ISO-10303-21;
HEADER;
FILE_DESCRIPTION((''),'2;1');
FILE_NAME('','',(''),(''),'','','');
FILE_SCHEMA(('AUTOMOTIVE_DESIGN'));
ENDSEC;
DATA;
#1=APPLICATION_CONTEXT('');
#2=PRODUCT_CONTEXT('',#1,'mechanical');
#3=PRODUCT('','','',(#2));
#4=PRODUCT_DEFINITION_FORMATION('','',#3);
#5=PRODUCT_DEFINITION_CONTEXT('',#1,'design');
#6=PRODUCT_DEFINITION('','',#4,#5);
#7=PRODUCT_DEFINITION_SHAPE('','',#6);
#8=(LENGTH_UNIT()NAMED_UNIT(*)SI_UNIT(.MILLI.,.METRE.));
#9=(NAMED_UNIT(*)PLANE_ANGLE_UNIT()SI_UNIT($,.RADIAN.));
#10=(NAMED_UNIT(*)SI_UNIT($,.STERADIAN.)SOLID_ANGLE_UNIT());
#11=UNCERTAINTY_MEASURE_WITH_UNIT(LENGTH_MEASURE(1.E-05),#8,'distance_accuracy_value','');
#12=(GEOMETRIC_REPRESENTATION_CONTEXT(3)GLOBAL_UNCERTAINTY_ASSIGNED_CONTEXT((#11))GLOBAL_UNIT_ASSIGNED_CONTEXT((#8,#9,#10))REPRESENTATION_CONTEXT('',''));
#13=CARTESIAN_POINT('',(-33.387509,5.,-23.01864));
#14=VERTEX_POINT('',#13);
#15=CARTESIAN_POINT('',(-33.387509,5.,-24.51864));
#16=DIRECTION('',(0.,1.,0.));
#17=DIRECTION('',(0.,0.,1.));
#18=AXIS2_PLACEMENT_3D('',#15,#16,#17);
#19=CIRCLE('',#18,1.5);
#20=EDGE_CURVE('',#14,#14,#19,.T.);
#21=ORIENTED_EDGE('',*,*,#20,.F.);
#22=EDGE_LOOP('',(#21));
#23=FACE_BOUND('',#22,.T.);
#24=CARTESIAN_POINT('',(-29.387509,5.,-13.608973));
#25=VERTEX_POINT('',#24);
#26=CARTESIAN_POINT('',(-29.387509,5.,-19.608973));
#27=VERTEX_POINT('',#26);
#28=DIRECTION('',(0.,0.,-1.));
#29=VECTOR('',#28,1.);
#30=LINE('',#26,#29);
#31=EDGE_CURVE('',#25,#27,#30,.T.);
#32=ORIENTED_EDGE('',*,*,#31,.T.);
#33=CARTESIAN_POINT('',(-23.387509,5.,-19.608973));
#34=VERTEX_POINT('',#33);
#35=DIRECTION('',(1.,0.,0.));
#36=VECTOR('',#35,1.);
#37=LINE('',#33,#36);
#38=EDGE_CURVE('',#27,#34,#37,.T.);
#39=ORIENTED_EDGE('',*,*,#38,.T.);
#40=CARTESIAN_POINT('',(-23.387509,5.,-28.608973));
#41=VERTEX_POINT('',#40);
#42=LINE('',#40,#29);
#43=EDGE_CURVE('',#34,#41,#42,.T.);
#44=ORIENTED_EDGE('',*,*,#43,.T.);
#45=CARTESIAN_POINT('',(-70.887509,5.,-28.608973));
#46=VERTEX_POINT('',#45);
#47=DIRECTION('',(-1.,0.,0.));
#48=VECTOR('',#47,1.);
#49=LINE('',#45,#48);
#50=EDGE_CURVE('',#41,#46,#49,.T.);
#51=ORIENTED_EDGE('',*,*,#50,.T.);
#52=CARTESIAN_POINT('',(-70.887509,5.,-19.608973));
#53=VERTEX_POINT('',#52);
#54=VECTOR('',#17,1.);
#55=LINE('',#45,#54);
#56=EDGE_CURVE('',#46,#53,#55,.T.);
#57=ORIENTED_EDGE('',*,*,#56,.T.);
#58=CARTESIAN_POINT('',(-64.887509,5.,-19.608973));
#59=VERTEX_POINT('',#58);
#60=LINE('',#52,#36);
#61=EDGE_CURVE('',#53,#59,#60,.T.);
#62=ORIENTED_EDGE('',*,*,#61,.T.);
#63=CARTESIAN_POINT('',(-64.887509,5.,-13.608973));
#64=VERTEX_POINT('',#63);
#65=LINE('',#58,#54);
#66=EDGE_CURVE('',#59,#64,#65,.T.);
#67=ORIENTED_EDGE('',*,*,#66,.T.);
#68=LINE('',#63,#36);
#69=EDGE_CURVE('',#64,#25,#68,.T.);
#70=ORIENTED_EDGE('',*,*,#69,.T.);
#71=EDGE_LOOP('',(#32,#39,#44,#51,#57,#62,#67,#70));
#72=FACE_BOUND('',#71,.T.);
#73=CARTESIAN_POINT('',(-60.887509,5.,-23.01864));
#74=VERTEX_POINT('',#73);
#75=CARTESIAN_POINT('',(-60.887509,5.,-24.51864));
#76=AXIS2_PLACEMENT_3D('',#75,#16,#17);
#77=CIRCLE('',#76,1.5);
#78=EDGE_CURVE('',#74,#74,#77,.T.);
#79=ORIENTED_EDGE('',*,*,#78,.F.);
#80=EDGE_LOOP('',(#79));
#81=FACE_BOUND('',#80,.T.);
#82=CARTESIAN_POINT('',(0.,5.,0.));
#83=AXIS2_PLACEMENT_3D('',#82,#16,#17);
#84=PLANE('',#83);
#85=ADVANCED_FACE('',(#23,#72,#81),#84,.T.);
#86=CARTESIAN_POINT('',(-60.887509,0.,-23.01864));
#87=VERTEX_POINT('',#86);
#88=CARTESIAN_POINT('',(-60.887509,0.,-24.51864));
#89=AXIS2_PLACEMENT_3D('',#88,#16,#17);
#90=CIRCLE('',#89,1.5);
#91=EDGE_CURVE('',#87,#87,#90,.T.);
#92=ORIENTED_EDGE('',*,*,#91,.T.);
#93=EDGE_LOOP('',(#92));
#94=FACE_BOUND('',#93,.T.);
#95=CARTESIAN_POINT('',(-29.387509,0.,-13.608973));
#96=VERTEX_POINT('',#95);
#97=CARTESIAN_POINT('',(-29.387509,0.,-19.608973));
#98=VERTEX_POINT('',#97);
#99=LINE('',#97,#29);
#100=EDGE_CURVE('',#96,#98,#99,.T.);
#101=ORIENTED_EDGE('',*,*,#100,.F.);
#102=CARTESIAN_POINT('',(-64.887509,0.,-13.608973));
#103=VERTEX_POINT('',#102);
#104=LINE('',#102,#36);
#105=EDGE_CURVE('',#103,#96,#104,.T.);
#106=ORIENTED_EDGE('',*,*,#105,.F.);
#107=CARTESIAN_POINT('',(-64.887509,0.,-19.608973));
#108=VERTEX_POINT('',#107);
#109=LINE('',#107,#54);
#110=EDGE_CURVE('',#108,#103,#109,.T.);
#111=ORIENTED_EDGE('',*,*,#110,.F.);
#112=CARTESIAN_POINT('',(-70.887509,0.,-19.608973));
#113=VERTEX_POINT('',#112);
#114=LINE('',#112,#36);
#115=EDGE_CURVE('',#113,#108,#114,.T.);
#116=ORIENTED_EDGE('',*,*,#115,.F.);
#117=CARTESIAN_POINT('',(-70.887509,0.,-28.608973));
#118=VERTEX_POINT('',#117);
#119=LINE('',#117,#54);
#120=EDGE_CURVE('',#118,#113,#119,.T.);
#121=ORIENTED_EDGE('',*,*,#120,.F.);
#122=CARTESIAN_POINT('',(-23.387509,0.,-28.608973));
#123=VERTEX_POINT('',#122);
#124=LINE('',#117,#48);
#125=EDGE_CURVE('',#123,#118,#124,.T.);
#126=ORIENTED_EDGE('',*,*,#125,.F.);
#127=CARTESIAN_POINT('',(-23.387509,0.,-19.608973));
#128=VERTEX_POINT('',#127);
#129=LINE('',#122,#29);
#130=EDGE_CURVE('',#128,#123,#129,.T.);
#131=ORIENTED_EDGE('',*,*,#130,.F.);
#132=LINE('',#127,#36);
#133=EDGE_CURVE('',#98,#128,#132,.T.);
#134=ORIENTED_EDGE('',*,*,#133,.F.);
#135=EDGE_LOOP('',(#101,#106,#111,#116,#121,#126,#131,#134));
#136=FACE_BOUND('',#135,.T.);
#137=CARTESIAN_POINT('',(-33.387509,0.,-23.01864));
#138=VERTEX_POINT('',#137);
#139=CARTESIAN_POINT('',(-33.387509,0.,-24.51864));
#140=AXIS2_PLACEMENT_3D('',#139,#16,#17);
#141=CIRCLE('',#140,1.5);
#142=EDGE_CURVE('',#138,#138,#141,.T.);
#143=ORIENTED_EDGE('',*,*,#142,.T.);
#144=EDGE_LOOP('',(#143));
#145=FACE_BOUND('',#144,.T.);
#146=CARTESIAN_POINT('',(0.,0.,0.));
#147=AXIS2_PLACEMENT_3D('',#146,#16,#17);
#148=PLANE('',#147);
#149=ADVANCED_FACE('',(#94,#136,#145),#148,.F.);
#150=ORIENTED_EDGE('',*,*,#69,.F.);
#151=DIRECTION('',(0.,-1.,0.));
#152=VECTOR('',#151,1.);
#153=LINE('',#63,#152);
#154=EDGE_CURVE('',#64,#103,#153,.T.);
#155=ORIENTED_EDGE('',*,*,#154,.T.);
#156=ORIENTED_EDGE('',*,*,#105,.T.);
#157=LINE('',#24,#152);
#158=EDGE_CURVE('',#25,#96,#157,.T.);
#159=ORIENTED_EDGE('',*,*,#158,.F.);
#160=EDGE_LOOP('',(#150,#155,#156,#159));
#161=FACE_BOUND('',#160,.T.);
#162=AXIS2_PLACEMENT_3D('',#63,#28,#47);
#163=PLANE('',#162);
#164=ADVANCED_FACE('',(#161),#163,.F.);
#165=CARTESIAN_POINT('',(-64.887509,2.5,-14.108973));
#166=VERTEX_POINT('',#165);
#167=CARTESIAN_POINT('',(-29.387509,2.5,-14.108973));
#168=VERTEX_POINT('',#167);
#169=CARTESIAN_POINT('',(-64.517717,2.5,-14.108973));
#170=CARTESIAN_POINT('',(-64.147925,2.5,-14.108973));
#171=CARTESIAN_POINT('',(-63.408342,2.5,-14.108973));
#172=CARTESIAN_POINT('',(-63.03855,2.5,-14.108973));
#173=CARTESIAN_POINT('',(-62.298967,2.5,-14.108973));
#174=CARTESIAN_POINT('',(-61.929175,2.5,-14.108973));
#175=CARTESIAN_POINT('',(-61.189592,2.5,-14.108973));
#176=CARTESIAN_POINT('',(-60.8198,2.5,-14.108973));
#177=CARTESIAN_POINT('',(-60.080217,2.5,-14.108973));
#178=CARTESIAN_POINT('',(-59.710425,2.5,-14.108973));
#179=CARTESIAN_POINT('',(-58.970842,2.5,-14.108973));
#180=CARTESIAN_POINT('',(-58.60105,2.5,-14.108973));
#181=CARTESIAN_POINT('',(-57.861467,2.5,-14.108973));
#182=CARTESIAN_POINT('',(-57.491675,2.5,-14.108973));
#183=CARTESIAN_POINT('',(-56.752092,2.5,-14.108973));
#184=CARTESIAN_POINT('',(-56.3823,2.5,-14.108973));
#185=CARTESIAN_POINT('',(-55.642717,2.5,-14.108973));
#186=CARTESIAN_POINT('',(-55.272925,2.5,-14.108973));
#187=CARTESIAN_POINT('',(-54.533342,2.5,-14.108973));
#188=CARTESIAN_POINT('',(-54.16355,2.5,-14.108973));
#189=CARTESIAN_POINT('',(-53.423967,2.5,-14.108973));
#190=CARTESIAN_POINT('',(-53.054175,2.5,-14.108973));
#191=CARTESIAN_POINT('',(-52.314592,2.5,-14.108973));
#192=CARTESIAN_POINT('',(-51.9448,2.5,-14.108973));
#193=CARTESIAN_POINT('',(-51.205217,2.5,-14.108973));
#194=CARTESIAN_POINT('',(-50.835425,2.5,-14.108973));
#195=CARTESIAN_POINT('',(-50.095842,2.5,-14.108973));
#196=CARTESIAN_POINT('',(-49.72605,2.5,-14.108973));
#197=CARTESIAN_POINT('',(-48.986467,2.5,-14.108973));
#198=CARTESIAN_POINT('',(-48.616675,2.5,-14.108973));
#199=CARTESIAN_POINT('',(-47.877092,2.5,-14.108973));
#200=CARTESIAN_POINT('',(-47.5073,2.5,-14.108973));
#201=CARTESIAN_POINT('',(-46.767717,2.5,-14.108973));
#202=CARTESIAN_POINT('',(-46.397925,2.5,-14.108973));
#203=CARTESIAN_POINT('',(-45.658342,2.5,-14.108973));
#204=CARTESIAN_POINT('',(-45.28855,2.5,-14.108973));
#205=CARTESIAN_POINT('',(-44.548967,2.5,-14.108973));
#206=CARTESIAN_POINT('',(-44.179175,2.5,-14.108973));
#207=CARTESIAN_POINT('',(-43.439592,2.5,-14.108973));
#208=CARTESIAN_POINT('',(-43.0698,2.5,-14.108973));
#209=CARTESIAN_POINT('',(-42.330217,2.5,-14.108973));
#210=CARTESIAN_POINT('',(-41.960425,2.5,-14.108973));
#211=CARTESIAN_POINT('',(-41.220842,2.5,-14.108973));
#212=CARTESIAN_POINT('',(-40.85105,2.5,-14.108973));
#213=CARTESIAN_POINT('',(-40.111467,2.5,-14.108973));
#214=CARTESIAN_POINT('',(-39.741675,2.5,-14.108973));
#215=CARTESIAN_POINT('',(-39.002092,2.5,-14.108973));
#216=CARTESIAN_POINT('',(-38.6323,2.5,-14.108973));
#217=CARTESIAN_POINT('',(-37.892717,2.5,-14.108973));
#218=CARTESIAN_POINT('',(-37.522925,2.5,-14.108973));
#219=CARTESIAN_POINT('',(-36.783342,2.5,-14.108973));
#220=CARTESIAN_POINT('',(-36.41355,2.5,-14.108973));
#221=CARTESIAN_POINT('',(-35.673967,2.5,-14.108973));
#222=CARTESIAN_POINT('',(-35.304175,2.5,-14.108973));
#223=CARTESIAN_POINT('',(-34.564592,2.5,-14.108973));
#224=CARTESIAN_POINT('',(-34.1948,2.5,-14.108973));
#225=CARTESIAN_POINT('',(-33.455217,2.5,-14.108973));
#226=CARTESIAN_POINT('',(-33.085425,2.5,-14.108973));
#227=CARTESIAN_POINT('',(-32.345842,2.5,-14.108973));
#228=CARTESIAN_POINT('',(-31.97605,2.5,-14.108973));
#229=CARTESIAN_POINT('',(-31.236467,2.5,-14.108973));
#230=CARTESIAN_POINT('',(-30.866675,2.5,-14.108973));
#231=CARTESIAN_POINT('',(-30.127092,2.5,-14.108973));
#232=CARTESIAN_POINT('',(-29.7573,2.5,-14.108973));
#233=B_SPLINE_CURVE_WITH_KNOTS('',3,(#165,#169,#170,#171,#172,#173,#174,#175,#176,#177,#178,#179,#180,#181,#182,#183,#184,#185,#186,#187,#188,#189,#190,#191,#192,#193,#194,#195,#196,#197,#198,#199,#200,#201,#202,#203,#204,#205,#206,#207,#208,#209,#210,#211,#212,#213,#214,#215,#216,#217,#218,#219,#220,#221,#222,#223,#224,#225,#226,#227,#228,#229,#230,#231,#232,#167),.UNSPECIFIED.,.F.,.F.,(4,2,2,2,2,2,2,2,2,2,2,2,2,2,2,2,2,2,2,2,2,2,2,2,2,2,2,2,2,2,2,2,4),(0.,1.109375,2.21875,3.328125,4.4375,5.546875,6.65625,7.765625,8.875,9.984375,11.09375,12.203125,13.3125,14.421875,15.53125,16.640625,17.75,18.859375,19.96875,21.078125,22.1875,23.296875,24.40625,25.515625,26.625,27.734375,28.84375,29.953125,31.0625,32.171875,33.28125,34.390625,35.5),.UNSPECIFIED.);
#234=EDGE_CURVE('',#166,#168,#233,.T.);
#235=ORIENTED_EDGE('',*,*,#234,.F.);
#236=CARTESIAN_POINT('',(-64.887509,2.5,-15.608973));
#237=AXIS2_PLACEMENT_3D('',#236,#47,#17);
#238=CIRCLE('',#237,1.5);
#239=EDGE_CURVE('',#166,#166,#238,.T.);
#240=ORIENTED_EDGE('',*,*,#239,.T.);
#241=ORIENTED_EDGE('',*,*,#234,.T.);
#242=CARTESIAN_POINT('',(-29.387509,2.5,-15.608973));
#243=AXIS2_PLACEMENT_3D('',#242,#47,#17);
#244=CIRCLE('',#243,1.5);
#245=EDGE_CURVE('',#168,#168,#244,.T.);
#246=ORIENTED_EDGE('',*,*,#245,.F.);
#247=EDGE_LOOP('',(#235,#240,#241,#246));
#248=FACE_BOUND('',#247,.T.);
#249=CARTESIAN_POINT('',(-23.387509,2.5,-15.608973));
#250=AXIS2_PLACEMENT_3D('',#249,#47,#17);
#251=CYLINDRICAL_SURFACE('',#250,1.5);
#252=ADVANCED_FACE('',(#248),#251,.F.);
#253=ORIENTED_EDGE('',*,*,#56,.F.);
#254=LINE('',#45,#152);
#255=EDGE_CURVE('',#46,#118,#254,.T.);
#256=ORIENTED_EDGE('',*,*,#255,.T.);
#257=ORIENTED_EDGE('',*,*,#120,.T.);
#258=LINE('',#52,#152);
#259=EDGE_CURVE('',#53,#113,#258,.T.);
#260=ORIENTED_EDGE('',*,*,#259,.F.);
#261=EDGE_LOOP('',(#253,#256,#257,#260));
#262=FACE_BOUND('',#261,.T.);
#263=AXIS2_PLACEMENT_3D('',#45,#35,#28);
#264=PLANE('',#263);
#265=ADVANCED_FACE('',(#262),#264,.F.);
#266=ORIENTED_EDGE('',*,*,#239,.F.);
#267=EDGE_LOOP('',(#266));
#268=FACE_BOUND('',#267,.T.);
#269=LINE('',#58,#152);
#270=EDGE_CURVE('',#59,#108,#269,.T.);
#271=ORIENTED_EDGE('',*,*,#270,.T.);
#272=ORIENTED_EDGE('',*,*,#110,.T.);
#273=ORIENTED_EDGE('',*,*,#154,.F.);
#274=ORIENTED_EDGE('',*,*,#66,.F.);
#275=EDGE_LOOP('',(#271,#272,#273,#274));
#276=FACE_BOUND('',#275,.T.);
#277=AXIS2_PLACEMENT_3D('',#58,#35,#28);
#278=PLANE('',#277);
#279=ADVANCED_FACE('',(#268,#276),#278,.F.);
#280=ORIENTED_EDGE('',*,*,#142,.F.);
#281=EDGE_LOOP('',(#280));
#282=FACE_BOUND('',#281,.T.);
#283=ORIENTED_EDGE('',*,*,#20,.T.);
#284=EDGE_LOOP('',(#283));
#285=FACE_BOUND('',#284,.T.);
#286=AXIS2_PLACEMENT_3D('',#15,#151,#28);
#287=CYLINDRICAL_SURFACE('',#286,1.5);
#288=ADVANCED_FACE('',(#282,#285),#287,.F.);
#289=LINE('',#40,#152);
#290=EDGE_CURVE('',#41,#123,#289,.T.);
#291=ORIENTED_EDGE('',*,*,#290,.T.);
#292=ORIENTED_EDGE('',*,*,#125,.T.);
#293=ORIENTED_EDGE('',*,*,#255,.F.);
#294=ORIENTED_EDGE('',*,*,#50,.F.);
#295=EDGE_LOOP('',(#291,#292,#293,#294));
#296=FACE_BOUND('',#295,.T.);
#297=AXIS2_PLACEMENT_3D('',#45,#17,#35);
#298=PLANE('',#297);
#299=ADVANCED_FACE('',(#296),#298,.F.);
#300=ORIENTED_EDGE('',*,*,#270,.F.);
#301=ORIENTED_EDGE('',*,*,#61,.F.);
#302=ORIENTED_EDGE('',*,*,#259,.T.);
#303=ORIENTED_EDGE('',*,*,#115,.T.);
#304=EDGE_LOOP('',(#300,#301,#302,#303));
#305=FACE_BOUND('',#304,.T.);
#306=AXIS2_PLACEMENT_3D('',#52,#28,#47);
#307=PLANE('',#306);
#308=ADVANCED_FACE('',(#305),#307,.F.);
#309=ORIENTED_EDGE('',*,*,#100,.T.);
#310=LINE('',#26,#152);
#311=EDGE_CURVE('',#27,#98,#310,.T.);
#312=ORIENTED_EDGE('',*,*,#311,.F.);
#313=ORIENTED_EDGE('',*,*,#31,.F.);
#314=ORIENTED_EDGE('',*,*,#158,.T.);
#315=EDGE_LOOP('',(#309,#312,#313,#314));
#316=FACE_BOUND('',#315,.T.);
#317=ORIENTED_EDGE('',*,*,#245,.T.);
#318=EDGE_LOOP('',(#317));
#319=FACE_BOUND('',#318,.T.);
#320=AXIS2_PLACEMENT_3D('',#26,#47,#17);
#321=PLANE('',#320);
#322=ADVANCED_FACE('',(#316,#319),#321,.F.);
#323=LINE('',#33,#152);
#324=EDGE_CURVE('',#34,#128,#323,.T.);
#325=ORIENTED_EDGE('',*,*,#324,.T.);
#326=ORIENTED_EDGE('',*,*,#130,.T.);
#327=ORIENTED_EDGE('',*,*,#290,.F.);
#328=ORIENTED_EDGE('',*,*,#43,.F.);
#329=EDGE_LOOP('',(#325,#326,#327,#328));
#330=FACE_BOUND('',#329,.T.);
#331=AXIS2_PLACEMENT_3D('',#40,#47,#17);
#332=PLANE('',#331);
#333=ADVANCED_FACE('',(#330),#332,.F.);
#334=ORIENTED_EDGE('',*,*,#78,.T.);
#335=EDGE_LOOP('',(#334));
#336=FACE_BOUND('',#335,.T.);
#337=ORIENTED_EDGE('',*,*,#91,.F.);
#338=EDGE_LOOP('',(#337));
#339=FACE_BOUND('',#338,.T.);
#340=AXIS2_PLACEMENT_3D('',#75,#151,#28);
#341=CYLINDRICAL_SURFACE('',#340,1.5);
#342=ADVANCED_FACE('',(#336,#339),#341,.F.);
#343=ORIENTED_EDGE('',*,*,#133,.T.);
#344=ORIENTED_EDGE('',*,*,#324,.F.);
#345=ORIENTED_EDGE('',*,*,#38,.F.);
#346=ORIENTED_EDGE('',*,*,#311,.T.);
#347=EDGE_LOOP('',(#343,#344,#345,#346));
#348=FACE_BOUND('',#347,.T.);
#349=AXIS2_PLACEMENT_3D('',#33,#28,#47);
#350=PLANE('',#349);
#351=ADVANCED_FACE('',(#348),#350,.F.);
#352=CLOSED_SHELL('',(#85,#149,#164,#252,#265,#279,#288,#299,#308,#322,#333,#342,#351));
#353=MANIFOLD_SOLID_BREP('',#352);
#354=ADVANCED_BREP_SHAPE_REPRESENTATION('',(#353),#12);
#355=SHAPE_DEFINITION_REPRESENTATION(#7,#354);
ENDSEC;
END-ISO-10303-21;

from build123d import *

# Parameters (mm, degrees)
SKETCH2_R           = 1.5
BOSS_EXTRUDE1_DEPTH = 5
SKETCH4_R           = 1.5
CUT_EXTRUDE1_DEPTH  = 51.652969899


with BuildPart() as part:
    # Sketch2 → Boss-Extrude1 (new body)
    with BuildSketch(Plane(origin=(0, 0, 0), x_dir=(1, 0, 0), z_dir=(0, 1, 0))):
        Polygon((-70.88750853, 28.608973411), (-23.38750853, 28.608973411), (-23.38750853, 19.608973411), (-29.38750853, 19.608973411), (-29.38750853, 13.608973411), (-64.88750853, 13.608973411), (-64.88750853, 19.608973411), (-70.88750853, 19.608973411), align=None)
        with Locations(Location((-60.88750853, 24.518639814, 0), (0, 0, 270))):
            Circle(SKETCH2_R, mode=Mode.SUBTRACT)
        with Locations(Location((-33.38750853, 24.518639814, 0), (0, 0, 270))):
            Circle(SKETCH2_R, mode=Mode.SUBTRACT)
    extrude(amount=BOSS_EXTRUDE1_DEPTH)

    # Sketch4 → Cut-Extrude1 (cut, through all)
    with BuildSketch(Plane.ZY.offset(64.88750853)):
        with Locations((-15.608973411, 2.5)):
            Circle(SKETCH4_R)
    extrude(amount=-CUT_EXTRUDE1_DEPTH, mode=Mode.SUBTRACT)


solid = part.part
